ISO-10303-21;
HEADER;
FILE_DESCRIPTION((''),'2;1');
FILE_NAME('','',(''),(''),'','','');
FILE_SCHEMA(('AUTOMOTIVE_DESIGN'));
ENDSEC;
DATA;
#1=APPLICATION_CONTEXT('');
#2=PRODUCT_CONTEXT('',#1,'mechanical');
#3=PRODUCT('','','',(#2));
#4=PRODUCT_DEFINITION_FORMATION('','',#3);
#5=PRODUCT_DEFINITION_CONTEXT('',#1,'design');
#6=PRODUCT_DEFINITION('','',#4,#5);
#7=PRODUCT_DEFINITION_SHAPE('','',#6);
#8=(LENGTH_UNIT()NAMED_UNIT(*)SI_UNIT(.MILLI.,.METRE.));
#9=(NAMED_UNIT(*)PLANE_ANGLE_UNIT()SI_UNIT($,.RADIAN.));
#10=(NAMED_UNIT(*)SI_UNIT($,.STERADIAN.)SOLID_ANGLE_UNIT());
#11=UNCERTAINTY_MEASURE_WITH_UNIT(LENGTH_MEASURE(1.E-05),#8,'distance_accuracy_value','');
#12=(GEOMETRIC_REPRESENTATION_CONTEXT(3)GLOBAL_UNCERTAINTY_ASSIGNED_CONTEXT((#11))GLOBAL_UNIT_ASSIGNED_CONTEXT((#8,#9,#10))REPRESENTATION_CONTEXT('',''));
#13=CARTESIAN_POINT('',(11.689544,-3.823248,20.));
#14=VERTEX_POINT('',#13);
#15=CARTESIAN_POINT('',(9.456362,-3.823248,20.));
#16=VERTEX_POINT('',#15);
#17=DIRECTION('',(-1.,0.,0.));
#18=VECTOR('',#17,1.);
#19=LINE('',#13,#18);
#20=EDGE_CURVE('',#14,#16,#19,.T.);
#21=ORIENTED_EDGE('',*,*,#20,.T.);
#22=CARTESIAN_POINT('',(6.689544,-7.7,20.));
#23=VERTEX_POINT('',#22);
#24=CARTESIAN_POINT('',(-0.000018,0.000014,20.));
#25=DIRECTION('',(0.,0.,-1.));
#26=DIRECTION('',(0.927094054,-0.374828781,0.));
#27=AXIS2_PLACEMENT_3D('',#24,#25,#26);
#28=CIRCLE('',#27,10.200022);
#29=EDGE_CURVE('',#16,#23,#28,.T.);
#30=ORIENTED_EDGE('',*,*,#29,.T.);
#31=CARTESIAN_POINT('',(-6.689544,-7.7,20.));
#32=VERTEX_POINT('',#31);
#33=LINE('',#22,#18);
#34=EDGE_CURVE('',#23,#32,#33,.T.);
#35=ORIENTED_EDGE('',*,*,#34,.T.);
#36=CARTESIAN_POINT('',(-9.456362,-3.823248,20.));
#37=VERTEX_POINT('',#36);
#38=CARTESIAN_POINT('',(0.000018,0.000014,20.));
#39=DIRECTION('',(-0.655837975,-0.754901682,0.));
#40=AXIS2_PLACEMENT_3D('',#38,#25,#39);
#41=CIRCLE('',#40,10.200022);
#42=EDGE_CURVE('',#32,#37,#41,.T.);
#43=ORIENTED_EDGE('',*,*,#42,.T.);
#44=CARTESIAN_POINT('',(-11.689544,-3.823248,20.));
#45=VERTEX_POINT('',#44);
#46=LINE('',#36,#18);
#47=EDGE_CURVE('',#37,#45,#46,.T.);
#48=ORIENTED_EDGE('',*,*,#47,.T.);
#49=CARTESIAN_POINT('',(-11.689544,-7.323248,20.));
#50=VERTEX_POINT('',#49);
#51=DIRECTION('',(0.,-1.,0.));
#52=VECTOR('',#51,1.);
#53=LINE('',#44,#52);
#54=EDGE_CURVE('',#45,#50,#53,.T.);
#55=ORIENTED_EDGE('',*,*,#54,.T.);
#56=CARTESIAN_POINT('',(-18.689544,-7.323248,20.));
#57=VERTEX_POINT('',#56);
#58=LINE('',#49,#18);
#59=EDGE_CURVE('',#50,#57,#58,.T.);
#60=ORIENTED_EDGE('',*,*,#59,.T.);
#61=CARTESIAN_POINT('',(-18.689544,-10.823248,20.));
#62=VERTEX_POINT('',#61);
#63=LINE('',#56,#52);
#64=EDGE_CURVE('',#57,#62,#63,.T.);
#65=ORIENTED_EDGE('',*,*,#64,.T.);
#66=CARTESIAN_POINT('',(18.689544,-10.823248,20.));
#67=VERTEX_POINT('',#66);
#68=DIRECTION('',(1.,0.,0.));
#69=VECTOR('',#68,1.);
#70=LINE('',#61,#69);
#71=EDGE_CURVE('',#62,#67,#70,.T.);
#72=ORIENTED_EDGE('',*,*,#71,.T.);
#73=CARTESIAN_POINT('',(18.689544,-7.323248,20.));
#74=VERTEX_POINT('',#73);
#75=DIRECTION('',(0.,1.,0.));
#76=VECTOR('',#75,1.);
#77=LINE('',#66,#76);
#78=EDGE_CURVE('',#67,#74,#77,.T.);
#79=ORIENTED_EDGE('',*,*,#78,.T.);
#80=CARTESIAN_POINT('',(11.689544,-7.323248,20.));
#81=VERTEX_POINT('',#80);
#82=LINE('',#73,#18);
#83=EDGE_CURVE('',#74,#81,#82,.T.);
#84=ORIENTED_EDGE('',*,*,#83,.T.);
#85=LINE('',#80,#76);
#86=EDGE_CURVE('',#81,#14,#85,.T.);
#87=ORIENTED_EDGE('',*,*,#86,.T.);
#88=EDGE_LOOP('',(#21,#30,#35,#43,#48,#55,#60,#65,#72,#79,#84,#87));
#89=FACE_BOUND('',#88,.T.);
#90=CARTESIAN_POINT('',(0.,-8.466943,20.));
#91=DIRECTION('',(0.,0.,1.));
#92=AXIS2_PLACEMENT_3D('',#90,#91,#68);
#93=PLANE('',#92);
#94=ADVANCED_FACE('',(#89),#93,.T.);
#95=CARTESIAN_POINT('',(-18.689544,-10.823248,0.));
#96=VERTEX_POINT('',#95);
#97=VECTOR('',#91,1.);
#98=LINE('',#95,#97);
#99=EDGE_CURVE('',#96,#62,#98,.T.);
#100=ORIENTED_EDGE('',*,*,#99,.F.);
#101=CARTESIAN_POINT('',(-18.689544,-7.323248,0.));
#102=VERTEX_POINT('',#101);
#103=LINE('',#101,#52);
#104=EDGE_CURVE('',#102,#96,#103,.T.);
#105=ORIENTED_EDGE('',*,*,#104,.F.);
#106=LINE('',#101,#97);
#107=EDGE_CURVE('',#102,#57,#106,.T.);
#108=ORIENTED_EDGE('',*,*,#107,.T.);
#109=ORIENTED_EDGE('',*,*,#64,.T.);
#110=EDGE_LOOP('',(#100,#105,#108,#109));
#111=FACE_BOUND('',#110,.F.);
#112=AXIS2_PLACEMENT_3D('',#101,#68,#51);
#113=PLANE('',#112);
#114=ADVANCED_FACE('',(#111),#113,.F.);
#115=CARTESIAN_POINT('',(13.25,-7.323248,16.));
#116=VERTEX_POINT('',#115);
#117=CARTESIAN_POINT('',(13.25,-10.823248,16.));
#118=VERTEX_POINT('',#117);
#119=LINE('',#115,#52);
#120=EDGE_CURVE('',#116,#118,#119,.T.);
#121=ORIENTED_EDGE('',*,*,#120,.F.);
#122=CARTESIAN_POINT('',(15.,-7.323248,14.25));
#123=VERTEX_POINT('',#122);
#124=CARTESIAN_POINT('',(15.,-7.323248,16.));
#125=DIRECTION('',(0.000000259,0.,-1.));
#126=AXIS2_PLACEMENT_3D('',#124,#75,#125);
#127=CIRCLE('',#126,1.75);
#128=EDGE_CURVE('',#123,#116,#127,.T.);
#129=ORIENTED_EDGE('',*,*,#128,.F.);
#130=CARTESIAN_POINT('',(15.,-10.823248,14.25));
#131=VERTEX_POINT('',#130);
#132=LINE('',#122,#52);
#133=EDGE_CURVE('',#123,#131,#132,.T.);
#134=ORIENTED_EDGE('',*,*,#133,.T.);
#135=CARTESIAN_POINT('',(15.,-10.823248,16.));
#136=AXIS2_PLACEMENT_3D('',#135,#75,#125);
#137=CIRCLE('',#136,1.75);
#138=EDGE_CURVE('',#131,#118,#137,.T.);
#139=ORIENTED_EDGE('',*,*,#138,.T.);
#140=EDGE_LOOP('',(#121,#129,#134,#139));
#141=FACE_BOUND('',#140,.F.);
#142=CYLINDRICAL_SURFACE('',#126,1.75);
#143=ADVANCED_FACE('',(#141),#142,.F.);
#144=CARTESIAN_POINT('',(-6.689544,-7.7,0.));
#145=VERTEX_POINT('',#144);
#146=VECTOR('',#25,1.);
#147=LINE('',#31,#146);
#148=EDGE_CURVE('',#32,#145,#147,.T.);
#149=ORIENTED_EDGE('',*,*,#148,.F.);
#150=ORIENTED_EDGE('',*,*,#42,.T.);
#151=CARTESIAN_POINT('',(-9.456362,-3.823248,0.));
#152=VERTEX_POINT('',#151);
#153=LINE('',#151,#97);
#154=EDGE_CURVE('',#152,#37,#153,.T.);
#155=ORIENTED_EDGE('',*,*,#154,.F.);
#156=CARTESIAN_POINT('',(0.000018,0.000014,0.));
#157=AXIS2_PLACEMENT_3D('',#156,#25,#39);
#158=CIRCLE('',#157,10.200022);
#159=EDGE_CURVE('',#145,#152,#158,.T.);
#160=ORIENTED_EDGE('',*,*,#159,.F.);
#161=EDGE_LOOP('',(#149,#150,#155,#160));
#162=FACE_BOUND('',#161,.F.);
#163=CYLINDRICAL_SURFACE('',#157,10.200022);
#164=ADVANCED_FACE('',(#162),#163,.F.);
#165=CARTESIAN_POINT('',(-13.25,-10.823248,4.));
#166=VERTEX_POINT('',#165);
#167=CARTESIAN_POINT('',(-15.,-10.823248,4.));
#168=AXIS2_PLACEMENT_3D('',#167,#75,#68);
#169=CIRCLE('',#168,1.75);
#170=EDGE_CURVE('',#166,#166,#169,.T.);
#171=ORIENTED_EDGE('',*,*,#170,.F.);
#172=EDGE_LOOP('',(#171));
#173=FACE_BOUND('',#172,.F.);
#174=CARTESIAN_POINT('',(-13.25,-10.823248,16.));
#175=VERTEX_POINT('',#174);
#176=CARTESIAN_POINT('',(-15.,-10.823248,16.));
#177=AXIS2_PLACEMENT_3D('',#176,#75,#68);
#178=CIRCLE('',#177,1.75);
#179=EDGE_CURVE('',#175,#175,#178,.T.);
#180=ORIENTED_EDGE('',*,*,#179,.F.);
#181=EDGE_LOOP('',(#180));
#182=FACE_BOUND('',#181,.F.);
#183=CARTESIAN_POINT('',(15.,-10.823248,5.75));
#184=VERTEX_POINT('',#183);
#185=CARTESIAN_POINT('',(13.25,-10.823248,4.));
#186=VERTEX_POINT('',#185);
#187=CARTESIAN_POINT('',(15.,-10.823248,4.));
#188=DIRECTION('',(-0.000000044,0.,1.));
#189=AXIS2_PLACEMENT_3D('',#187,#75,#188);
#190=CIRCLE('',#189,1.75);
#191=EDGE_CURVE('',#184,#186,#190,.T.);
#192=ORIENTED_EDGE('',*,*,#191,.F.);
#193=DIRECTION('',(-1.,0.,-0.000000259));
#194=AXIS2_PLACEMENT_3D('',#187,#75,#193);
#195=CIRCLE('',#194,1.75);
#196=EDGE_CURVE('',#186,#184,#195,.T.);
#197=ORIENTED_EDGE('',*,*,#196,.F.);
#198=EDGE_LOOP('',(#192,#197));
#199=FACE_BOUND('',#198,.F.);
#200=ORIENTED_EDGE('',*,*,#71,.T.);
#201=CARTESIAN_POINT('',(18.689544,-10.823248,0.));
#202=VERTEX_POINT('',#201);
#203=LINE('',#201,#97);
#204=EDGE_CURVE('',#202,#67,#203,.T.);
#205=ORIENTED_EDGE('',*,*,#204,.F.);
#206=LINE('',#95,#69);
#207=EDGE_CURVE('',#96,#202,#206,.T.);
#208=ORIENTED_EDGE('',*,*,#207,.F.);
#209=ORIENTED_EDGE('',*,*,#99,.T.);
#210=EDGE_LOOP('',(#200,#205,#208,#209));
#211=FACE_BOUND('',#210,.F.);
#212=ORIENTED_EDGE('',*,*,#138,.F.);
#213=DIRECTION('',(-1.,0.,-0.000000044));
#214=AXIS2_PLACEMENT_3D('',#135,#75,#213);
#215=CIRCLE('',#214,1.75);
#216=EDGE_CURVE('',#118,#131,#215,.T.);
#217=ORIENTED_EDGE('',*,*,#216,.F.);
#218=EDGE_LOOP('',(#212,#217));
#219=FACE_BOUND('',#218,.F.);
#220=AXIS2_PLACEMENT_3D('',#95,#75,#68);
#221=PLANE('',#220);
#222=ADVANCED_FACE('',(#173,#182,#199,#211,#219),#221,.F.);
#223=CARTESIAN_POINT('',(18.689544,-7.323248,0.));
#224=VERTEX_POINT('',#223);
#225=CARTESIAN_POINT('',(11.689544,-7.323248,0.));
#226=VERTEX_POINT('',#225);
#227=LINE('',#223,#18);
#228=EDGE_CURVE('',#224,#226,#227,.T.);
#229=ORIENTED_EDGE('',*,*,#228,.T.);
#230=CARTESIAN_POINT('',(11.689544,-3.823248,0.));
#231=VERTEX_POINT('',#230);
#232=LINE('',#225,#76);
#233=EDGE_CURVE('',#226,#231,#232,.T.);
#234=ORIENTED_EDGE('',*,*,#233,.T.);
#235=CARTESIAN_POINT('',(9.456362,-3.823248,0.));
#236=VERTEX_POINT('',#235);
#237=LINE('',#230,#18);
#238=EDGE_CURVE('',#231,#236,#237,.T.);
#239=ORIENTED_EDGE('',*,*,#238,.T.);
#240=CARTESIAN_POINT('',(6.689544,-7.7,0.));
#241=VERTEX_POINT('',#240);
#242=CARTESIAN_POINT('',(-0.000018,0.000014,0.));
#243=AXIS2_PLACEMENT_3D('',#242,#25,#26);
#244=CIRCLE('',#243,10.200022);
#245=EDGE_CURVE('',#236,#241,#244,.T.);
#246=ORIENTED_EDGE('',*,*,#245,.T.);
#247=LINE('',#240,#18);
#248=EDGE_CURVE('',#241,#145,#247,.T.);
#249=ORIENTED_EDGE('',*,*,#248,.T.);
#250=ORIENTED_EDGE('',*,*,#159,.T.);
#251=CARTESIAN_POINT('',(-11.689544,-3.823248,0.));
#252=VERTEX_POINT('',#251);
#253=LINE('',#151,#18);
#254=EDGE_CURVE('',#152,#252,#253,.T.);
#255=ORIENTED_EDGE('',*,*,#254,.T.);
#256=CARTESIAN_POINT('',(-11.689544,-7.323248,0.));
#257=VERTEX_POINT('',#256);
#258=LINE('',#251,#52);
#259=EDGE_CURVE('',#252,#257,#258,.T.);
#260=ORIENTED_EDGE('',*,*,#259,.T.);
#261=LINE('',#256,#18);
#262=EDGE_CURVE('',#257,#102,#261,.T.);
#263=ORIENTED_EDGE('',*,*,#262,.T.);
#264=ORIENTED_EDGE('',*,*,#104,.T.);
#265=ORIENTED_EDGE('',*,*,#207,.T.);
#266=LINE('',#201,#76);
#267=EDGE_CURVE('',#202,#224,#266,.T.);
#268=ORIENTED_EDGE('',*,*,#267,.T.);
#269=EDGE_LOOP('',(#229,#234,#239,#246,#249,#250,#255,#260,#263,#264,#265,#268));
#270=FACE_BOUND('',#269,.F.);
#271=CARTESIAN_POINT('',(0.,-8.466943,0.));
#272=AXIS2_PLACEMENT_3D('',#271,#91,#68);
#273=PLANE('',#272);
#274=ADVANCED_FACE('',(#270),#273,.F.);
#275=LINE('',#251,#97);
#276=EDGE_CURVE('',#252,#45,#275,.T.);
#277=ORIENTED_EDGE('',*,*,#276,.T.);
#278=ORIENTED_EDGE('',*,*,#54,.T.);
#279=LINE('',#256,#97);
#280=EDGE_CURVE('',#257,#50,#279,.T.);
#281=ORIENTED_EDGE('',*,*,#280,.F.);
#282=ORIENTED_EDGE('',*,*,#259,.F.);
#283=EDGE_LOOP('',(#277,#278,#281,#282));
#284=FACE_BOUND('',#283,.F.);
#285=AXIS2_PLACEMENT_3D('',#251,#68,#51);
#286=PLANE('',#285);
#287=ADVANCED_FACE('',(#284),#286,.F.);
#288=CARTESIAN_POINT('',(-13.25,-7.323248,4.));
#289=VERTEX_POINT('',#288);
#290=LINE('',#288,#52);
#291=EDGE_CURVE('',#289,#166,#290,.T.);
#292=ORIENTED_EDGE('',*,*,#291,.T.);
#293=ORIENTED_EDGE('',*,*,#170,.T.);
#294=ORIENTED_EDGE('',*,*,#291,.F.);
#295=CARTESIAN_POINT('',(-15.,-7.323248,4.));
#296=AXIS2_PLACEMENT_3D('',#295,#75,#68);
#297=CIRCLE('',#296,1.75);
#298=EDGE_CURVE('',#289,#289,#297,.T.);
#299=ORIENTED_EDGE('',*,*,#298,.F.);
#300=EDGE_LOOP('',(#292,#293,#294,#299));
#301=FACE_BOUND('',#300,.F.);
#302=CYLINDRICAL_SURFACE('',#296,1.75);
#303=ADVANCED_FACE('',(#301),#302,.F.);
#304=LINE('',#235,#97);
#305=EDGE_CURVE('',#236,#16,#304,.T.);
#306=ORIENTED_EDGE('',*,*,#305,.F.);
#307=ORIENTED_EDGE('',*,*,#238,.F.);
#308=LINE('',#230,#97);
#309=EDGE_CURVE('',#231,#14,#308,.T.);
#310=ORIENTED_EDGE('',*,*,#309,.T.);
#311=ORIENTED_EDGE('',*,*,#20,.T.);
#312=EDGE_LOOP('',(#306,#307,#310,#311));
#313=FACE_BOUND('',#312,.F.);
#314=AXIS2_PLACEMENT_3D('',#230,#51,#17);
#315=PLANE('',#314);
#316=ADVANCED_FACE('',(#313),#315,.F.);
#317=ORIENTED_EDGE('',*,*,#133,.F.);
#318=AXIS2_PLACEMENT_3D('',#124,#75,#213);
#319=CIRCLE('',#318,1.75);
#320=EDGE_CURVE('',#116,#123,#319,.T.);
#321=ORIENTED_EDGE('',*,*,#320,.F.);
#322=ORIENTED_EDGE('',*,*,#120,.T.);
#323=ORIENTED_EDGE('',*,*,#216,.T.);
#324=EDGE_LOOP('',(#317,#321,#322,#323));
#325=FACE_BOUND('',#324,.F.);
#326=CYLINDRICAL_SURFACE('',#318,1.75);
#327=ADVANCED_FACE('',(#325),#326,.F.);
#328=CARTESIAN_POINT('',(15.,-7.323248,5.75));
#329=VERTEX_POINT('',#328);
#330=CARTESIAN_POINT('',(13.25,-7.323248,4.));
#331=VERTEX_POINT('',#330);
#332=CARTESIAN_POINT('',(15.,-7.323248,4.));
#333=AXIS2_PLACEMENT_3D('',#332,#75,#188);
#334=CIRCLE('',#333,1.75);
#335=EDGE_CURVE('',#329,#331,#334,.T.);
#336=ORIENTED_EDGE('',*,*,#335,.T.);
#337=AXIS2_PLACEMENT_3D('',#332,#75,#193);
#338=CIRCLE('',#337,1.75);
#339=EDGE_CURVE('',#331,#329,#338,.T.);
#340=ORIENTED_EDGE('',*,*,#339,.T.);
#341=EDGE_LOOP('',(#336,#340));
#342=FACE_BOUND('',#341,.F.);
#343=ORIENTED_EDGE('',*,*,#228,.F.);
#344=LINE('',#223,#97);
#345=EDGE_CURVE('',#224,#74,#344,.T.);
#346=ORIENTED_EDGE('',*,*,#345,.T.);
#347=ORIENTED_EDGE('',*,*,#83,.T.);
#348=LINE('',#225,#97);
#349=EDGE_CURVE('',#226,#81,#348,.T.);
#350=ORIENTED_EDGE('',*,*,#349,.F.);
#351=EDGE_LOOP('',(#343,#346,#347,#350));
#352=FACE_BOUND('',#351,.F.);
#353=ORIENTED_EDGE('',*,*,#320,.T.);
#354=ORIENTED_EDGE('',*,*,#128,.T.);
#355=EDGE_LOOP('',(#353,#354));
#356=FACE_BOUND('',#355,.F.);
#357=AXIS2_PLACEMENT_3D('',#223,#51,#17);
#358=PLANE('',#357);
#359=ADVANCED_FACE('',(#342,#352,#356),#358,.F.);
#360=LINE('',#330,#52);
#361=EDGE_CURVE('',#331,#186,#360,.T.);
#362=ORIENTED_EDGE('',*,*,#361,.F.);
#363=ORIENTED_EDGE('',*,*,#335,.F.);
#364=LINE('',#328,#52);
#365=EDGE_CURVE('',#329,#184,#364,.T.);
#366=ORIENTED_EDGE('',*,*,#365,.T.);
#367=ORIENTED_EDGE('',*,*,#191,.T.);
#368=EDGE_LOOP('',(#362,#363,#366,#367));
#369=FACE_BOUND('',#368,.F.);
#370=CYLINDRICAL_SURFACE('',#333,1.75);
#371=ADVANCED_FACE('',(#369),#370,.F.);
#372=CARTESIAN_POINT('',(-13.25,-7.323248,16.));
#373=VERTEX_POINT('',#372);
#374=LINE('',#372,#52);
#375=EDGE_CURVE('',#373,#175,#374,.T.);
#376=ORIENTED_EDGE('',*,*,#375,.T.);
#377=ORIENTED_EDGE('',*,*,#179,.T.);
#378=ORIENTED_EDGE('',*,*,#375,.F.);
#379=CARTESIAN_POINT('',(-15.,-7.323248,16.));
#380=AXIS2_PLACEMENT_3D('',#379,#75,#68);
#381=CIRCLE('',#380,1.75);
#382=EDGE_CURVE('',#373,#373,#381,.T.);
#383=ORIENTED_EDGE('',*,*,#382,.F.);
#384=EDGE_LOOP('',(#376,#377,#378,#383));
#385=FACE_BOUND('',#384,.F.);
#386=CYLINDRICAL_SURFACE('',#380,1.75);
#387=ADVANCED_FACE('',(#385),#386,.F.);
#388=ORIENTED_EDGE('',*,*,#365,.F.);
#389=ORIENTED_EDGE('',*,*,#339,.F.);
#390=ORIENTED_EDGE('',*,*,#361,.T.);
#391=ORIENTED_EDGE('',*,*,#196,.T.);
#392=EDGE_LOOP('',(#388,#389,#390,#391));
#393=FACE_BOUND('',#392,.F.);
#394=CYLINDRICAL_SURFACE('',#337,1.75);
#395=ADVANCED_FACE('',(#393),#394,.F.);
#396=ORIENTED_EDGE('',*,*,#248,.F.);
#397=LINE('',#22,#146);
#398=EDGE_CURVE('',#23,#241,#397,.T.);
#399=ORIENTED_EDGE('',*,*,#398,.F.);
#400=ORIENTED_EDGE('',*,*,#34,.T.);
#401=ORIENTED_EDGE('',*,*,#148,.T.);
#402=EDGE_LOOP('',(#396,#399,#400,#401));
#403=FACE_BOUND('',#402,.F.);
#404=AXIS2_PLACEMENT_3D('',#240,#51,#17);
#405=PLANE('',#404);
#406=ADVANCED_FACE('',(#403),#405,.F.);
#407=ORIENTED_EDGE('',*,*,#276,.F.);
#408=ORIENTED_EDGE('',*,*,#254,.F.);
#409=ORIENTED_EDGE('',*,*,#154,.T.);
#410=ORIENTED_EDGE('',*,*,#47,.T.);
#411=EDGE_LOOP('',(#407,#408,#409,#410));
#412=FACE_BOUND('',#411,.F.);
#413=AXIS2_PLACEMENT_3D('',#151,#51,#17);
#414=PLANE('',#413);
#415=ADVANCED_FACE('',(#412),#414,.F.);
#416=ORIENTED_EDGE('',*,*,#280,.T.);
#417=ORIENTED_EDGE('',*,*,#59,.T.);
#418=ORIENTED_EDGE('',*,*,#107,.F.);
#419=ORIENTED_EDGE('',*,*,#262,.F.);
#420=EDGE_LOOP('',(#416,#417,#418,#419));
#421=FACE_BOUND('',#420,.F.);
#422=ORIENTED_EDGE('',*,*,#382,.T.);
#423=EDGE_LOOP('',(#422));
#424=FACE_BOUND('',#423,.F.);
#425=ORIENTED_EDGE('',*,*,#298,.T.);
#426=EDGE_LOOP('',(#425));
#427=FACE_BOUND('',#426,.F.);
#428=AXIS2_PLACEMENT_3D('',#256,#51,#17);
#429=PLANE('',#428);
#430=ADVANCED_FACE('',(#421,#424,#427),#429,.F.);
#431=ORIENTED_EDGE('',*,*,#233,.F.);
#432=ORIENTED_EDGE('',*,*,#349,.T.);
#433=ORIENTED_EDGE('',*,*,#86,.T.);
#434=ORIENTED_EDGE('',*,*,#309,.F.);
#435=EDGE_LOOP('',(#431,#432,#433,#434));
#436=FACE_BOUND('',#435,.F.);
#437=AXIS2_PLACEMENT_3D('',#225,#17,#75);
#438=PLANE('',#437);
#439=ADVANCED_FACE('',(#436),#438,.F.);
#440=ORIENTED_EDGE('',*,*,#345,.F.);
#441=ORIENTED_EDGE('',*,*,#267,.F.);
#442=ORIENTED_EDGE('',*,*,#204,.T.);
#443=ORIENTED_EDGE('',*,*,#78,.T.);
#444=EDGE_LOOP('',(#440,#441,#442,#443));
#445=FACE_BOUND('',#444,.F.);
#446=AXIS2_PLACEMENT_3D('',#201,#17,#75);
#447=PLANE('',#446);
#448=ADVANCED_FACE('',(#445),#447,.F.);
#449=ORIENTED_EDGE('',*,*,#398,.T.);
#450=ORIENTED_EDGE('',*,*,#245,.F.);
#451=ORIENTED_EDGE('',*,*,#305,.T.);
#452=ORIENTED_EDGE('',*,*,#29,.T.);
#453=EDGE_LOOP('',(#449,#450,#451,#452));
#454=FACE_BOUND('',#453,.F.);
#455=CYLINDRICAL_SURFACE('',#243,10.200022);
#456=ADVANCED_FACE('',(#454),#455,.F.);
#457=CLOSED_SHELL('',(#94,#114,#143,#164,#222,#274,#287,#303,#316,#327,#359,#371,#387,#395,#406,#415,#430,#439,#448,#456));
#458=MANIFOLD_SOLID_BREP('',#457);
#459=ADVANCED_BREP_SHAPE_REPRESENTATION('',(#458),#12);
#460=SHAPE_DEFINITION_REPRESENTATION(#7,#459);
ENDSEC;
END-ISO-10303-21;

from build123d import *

# Parameters (mm, degrees)
F1_DEPTH = 20
F2_DEPTH = 2
F4_DEPTH = 25


with BuildPart() as f1:
    # F0 (on Top) → F1 (new body)
    with BuildSketch(Plane.XY):
        with BuildLine():
            ThreePointArc((-6.689544, -7.7), (-8.302401, -5.92538), (-9.456362, -3.823248))
            Line((-9.456362, -3.823248), (-11.689544, -3.823248))
            Line((-11.689544, -3.823248), (-11.689544, -7.323248))
            Line((-11.689544, -7.323248), (-18.689544, -7.323248))
            Line((-18.689544, -7.323248), (-18.689544, -10.823248))
            Line((-18.689544, -10.823248), (18.689544, -10.823248))
            Line((18.689544, -10.823248), (18.689544, -7.323248))
            Line((18.689544, -7.323248), (11.689544, -7.323248))
            Line((11.689544, -7.323248), (11.689544, -3.823248))
            Line((11.689544, -3.823248), (9.456362, -3.823248))
            ThreePointArc((9.456362, -3.823248), (8.302401, -5.92538), (6.689544, -7.7))
            Line((6.689544, -7.7), (-6.689544, -7.7))
        make_face()
    extrude(amount=F1_DEPTH)

    # F0 (on Top) → F2 (join)
    with BuildSketch(Plane.XY):
        with BuildLine():
            ThreePointArc((-6.689544, -7.7), (-8.302401, -5.92538), (-9.456362, -3.823248))
            Line((-9.456362, -3.823248), (-11.689544, -3.823248))
            Line((-11.689544, -3.823248), (-11.689544, -7.323248))
            Line((-11.689544, -7.323248), (-18.689544, -7.323248))
            Line((-18.689544, -7.323248), (-18.689544, -10.823248))
            Line((-18.689544, -10.823248), (18.689544, -10.823248))
            Line((18.689544, -10.823248), (18.689544, -7.323248))
            Line((18.689544, -7.323248), (11.689544, -7.323248))
            Line((11.689544, -7.323248), (11.689544, -3.823248))
            Line((11.689544, -3.823248), (9.456362, -3.823248))
            ThreePointArc((9.456362, -3.823248), (8.302401, -5.92538), (6.689544, -7.7))
            Line((6.689544, -7.7), (-6.689544, -7.7))
        make_face()
    extrude(amount=F2_DEPTH)

    # F3 (on face) → F4 (cut)
    with BuildSketch(Plane(origin=(0, -7.323248, 0), x_dir=(-1, 0, 0), z_dir=(0, 1, 0))):
        with BuildLine():
            Line((-13.25, 16), (-15, 16))
            Line((-15, 16), (-15, 14.25))
            ThreePointArc((-15, 14.25), (-13.762563, 14.762563), (-13.25, 16))
        make_face()
        with BuildLine():
            Line((-15, 14.25), (-15, 16))
            Line((-15, 16), (-13.25, 16))
            ThreePointArc((-13.25, 16), (-16.237437, 17.237437), (-15, 14.25))
        make_face()
        with BuildLine():
            ThreePointArc((16.75, 4), (15, 5.75), (13.25, 4))
            ThreePointArc((13.25, 4), (15, 2.25), (16.75, 4))
        make_face()
        with BuildLine():
            ThreePointArc((-13.25, 4), (-13.762563, 5.237437), (-15, 5.75))
            Line((-15, 5.75), (-15, 4))
            Line((-15, 4), (-13.25, 4))
        make_face()
        with BuildLine():
            Line((-15, 4), (-15, 5.75))
            ThreePointArc((-15, 5.75), (-16.237437, 2.762563), (-13.25, 4))
            Line((-13.25, 4), (-15, 4))
        make_face()
        with BuildLine():
            ThreePointArc((16.75, 16), (15, 17.75), (13.25, 16))
            ThreePointArc((13.25, 16), (15, 14.25), (16.75, 16))
        make_face()
    extrude(amount=-F4_DEPTH, mode=Mode.SUBTRACT)


solid = f1.part
